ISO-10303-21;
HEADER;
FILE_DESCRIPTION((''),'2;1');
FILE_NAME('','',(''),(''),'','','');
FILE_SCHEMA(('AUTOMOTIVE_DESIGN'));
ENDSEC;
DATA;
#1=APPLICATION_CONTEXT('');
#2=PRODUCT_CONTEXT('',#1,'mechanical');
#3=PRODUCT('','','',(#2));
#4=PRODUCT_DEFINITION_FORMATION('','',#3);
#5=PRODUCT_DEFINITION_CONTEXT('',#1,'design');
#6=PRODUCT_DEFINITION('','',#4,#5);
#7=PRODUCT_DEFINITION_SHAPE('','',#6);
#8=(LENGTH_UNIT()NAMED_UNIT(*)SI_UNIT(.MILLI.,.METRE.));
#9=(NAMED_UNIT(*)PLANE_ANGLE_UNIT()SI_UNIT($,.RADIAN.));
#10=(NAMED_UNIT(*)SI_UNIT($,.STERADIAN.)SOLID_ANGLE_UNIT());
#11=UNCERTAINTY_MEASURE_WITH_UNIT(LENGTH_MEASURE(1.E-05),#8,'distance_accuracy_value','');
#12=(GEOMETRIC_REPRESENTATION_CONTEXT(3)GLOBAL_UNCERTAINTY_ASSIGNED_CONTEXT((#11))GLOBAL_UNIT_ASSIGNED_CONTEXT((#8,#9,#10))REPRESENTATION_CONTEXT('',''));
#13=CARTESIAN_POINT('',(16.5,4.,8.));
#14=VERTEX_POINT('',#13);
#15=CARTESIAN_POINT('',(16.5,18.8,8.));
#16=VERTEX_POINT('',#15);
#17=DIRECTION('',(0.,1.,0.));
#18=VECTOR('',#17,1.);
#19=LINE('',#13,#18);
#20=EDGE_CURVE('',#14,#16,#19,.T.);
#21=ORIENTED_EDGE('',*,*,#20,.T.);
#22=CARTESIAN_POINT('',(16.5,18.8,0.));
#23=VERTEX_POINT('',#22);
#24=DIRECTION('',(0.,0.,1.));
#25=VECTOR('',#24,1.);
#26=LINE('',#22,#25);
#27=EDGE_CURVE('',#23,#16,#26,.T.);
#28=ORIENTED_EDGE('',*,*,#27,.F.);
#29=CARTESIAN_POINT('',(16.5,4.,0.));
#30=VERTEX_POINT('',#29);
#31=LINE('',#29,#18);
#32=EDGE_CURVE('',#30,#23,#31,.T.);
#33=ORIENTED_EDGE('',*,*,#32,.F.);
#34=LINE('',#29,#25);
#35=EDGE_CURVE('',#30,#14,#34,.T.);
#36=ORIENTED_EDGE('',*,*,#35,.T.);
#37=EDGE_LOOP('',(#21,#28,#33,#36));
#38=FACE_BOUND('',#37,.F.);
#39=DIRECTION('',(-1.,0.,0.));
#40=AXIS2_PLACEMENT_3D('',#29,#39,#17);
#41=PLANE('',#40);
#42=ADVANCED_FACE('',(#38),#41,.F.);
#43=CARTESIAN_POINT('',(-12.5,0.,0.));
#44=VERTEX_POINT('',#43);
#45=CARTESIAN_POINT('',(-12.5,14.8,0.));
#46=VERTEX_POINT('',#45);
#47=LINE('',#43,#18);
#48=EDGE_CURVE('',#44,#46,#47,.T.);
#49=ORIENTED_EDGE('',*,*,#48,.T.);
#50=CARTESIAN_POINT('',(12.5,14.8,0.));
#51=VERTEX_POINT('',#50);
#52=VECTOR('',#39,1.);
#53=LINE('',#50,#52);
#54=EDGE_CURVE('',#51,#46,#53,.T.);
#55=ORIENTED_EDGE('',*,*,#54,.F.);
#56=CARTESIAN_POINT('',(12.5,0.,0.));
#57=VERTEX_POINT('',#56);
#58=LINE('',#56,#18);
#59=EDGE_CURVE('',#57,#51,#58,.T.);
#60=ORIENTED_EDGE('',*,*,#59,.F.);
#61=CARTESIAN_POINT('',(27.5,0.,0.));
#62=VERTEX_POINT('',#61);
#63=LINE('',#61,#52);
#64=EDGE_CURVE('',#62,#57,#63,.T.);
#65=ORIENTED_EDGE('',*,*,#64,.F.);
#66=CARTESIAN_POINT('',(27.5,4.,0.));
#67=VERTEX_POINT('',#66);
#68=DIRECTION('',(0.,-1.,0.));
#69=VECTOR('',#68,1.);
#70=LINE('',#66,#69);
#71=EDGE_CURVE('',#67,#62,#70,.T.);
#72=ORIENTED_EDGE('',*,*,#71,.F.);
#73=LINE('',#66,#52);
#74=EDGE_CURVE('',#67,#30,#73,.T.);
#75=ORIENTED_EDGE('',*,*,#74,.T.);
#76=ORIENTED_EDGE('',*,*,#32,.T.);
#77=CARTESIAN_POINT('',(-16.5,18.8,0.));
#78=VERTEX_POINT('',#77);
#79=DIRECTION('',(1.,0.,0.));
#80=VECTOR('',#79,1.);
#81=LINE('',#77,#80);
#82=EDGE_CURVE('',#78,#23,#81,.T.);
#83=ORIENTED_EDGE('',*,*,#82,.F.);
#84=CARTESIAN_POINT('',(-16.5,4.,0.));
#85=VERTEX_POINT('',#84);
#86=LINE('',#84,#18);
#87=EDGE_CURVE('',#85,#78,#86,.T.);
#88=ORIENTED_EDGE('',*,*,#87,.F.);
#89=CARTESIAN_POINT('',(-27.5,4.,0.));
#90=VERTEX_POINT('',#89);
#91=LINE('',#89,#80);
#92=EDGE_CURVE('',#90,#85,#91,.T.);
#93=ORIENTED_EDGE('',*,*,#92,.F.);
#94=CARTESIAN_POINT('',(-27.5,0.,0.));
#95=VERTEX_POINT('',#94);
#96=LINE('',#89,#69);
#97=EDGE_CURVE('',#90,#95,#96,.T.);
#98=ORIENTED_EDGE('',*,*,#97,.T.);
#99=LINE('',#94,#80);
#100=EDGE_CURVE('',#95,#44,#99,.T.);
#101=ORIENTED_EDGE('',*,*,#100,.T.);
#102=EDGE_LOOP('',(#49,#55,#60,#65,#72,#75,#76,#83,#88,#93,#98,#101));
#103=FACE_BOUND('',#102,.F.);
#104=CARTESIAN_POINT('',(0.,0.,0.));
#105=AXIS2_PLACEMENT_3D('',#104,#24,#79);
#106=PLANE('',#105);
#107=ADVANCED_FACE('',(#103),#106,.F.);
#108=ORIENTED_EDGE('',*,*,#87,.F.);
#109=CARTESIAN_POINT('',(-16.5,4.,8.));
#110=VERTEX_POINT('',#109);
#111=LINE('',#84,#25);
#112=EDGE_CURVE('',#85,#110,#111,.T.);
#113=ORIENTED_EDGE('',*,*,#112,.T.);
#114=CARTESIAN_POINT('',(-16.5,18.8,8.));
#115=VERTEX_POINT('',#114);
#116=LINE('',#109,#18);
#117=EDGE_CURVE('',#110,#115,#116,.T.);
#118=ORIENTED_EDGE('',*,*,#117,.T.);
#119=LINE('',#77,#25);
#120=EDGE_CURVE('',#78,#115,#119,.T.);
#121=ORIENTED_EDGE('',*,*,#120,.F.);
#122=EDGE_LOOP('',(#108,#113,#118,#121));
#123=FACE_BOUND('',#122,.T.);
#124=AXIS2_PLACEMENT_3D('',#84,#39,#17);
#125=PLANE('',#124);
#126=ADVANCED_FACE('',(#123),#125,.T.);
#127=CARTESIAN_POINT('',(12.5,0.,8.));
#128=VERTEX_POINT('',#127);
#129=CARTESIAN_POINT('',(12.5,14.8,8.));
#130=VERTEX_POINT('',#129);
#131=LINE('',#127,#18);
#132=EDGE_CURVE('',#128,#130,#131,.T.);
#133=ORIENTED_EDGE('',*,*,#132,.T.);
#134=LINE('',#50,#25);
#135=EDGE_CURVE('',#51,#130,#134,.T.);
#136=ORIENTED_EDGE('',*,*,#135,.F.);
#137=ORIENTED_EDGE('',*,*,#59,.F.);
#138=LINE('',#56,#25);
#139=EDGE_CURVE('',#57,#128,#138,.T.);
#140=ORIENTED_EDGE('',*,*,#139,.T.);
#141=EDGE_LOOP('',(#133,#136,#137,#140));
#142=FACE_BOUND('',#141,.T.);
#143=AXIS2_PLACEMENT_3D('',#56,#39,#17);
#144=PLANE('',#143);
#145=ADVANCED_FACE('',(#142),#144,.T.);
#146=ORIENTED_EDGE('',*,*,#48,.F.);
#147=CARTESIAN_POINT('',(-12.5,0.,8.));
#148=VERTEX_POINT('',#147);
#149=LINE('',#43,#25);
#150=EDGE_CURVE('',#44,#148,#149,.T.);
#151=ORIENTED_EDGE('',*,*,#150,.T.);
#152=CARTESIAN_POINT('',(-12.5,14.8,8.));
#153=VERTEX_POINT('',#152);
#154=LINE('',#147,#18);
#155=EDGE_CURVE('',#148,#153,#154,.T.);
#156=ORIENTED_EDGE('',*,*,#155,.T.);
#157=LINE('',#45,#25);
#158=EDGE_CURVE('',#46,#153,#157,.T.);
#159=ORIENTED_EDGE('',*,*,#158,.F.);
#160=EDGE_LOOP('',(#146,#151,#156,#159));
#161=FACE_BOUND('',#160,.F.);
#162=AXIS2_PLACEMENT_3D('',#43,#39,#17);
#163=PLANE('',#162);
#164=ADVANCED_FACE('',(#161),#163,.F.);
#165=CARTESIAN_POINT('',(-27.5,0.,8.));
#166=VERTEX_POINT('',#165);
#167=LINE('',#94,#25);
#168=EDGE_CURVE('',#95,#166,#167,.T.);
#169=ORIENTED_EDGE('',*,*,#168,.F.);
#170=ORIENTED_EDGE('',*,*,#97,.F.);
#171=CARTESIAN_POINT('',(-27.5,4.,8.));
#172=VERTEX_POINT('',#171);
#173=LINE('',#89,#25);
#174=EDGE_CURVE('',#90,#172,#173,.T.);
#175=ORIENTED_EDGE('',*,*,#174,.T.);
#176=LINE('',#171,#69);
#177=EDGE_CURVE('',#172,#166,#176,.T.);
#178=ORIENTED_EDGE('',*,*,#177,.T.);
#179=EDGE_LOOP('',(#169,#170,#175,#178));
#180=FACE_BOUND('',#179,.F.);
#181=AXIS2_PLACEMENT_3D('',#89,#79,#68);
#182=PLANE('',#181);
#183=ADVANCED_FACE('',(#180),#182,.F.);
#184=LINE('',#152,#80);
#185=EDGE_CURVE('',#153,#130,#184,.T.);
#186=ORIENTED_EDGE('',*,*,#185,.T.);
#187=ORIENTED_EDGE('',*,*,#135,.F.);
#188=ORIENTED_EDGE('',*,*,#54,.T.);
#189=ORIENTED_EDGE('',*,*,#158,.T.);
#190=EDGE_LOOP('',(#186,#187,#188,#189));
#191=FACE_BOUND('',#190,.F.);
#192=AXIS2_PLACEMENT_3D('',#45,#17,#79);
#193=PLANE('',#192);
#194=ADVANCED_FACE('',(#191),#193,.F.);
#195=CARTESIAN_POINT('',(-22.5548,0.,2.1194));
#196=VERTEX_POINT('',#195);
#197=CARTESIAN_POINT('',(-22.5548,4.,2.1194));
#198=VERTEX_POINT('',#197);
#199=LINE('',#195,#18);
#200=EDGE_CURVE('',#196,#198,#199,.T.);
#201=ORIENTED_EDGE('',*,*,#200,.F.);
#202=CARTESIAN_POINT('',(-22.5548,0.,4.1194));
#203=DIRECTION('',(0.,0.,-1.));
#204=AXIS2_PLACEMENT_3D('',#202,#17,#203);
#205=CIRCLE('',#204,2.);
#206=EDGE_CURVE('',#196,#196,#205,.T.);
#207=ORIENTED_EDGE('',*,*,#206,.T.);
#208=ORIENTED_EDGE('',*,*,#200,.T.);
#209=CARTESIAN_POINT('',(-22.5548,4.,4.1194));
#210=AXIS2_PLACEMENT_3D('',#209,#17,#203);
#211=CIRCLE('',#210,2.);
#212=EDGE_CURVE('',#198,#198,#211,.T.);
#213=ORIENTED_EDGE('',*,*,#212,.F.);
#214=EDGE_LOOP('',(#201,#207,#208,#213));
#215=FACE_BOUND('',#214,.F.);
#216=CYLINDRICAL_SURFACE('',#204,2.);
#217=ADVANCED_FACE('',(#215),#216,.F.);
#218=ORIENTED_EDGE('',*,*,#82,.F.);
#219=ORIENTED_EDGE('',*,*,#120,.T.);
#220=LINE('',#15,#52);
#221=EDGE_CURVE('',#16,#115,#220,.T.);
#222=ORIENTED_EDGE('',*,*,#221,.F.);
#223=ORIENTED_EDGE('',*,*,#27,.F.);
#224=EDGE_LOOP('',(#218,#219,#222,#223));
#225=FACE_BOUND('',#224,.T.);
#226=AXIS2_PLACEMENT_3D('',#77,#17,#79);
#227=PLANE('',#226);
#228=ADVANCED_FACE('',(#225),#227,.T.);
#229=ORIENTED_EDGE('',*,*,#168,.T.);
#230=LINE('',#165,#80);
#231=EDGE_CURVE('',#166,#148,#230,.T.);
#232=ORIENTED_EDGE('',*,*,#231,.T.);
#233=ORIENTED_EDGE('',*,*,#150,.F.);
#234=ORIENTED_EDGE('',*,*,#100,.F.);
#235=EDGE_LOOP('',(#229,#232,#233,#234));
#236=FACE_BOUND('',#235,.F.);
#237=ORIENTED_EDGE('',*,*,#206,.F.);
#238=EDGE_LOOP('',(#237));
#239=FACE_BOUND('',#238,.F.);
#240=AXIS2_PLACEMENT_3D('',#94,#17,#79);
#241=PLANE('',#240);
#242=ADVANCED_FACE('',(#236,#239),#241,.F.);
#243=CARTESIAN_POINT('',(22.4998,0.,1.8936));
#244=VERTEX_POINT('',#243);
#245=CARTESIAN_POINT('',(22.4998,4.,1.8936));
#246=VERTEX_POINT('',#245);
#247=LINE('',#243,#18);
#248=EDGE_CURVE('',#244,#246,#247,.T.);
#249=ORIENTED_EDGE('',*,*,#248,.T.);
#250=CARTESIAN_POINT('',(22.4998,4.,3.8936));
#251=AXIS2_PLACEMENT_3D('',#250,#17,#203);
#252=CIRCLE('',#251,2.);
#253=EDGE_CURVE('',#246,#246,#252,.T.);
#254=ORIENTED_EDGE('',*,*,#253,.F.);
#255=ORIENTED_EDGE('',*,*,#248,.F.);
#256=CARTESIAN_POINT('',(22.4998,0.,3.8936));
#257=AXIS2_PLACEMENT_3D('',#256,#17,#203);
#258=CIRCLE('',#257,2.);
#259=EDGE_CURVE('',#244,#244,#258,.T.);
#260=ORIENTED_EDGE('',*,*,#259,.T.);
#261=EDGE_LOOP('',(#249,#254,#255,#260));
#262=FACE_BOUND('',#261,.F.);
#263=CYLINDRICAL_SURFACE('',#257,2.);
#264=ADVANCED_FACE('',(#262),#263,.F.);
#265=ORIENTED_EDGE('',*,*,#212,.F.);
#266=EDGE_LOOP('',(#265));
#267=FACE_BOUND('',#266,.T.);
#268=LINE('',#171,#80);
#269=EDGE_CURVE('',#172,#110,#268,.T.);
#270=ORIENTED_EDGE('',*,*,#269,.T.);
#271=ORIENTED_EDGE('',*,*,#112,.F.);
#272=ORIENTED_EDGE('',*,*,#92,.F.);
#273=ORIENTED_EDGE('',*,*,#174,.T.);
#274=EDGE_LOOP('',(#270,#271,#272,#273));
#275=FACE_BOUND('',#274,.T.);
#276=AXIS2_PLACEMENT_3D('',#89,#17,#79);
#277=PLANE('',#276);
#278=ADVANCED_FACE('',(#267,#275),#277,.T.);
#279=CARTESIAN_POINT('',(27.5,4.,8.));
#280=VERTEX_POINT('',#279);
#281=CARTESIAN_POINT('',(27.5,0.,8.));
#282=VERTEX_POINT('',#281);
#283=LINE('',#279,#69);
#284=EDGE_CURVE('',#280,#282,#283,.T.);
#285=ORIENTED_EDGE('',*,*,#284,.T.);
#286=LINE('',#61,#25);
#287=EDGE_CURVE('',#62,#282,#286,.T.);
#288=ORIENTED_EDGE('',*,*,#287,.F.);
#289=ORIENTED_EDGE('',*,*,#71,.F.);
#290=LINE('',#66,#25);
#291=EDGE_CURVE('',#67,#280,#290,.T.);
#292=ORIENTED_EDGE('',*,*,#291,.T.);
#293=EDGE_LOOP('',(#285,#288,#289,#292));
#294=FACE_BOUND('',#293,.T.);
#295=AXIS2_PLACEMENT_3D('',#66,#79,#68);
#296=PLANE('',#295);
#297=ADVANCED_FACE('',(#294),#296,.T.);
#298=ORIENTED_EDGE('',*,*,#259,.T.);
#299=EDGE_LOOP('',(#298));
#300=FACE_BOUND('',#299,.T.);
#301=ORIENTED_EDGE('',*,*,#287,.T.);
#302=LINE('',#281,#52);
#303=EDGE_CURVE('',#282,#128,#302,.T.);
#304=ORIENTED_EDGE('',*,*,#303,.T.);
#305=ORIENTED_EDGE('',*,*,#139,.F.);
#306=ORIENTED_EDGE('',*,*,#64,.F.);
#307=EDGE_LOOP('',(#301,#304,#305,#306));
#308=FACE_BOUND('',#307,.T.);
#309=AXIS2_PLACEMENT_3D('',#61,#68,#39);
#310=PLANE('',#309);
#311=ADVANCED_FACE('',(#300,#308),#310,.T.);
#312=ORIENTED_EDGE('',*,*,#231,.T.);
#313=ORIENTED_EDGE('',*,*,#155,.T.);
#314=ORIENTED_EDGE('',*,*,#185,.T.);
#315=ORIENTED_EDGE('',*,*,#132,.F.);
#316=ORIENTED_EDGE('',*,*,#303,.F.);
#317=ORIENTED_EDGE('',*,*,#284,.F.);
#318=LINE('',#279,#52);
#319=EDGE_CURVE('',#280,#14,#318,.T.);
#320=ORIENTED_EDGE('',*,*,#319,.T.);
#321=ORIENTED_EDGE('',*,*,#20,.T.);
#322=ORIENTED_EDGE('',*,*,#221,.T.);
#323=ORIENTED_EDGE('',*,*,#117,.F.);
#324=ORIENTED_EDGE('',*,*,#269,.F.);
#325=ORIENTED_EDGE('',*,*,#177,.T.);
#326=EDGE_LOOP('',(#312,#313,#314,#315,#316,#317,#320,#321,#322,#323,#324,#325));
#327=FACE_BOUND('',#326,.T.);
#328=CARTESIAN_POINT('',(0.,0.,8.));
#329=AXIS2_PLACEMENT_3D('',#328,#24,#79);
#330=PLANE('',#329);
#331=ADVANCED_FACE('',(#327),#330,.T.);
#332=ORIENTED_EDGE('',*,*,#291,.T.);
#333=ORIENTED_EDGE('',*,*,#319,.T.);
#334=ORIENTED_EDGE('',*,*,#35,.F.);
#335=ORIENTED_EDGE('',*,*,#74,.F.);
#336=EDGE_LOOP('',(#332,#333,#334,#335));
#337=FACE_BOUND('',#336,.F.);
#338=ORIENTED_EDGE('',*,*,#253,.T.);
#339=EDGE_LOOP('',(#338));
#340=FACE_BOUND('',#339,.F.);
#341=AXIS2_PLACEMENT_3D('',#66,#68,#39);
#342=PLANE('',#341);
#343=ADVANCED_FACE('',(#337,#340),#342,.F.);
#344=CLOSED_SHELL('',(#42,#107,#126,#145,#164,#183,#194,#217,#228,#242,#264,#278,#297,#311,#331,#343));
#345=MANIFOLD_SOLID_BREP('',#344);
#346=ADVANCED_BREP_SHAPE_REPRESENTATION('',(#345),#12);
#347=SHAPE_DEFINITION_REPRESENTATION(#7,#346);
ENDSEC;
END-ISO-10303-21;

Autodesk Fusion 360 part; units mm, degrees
sketch "Sketch1" plane through (0, 0, 0) normal (0, 0, 1) x (1, 0, 0)
  line L0 (-27.5, 0) -> (-12.5, 0)
  line L1 (-12.5, 0) -> (-12.5, 14.8)
  line L2 (-12.5, 14.8) -> (0, 14.8)
  line L3 (0, 31) -> (0, -29)
  line L4 (27.5, 0) -> (12.5, 0)
  line L5 (12.5, 0) -> (12.5, 14.8)
  line L6 (12.5, 14.8) -> (0, 14.8)
  line L7 (-27.5, 4) -> (-16.5, 4)
  line L8 (-16.5, 4) -> (-16.5, 18.8)
  line L9 (-16.5, 18.8) -> (0, 18.8)
  line L10 (16.5, 18.8) -> (0, 18.8)
  line L11 (16.5, 4) -> (16.5, 18.8)
  line L12 (27.5, 4) -> (16.5, 4)
  line L13 (27.5, 4) -> (27.5, 0)
  line L14 (-27.5, 4) -> (-27.5, 0)
  dimension "d2" = 4
  dimension "d3" = 15
  dimension "d4" = 25
  dimension "d5" = 14.8
extrude "Extrude1" add sketch "Sketch1" along normal blind 8
hole "Hole1" at (22.4998, 0, 3.8936) direction (0, 1, 0) diameter 4 depth 5 tip angle 118
hole "Hole2" at (-22.5548, 0, 4.1194) direction (0, 1, 0) diameter 4 depth 5 tip angle 118
